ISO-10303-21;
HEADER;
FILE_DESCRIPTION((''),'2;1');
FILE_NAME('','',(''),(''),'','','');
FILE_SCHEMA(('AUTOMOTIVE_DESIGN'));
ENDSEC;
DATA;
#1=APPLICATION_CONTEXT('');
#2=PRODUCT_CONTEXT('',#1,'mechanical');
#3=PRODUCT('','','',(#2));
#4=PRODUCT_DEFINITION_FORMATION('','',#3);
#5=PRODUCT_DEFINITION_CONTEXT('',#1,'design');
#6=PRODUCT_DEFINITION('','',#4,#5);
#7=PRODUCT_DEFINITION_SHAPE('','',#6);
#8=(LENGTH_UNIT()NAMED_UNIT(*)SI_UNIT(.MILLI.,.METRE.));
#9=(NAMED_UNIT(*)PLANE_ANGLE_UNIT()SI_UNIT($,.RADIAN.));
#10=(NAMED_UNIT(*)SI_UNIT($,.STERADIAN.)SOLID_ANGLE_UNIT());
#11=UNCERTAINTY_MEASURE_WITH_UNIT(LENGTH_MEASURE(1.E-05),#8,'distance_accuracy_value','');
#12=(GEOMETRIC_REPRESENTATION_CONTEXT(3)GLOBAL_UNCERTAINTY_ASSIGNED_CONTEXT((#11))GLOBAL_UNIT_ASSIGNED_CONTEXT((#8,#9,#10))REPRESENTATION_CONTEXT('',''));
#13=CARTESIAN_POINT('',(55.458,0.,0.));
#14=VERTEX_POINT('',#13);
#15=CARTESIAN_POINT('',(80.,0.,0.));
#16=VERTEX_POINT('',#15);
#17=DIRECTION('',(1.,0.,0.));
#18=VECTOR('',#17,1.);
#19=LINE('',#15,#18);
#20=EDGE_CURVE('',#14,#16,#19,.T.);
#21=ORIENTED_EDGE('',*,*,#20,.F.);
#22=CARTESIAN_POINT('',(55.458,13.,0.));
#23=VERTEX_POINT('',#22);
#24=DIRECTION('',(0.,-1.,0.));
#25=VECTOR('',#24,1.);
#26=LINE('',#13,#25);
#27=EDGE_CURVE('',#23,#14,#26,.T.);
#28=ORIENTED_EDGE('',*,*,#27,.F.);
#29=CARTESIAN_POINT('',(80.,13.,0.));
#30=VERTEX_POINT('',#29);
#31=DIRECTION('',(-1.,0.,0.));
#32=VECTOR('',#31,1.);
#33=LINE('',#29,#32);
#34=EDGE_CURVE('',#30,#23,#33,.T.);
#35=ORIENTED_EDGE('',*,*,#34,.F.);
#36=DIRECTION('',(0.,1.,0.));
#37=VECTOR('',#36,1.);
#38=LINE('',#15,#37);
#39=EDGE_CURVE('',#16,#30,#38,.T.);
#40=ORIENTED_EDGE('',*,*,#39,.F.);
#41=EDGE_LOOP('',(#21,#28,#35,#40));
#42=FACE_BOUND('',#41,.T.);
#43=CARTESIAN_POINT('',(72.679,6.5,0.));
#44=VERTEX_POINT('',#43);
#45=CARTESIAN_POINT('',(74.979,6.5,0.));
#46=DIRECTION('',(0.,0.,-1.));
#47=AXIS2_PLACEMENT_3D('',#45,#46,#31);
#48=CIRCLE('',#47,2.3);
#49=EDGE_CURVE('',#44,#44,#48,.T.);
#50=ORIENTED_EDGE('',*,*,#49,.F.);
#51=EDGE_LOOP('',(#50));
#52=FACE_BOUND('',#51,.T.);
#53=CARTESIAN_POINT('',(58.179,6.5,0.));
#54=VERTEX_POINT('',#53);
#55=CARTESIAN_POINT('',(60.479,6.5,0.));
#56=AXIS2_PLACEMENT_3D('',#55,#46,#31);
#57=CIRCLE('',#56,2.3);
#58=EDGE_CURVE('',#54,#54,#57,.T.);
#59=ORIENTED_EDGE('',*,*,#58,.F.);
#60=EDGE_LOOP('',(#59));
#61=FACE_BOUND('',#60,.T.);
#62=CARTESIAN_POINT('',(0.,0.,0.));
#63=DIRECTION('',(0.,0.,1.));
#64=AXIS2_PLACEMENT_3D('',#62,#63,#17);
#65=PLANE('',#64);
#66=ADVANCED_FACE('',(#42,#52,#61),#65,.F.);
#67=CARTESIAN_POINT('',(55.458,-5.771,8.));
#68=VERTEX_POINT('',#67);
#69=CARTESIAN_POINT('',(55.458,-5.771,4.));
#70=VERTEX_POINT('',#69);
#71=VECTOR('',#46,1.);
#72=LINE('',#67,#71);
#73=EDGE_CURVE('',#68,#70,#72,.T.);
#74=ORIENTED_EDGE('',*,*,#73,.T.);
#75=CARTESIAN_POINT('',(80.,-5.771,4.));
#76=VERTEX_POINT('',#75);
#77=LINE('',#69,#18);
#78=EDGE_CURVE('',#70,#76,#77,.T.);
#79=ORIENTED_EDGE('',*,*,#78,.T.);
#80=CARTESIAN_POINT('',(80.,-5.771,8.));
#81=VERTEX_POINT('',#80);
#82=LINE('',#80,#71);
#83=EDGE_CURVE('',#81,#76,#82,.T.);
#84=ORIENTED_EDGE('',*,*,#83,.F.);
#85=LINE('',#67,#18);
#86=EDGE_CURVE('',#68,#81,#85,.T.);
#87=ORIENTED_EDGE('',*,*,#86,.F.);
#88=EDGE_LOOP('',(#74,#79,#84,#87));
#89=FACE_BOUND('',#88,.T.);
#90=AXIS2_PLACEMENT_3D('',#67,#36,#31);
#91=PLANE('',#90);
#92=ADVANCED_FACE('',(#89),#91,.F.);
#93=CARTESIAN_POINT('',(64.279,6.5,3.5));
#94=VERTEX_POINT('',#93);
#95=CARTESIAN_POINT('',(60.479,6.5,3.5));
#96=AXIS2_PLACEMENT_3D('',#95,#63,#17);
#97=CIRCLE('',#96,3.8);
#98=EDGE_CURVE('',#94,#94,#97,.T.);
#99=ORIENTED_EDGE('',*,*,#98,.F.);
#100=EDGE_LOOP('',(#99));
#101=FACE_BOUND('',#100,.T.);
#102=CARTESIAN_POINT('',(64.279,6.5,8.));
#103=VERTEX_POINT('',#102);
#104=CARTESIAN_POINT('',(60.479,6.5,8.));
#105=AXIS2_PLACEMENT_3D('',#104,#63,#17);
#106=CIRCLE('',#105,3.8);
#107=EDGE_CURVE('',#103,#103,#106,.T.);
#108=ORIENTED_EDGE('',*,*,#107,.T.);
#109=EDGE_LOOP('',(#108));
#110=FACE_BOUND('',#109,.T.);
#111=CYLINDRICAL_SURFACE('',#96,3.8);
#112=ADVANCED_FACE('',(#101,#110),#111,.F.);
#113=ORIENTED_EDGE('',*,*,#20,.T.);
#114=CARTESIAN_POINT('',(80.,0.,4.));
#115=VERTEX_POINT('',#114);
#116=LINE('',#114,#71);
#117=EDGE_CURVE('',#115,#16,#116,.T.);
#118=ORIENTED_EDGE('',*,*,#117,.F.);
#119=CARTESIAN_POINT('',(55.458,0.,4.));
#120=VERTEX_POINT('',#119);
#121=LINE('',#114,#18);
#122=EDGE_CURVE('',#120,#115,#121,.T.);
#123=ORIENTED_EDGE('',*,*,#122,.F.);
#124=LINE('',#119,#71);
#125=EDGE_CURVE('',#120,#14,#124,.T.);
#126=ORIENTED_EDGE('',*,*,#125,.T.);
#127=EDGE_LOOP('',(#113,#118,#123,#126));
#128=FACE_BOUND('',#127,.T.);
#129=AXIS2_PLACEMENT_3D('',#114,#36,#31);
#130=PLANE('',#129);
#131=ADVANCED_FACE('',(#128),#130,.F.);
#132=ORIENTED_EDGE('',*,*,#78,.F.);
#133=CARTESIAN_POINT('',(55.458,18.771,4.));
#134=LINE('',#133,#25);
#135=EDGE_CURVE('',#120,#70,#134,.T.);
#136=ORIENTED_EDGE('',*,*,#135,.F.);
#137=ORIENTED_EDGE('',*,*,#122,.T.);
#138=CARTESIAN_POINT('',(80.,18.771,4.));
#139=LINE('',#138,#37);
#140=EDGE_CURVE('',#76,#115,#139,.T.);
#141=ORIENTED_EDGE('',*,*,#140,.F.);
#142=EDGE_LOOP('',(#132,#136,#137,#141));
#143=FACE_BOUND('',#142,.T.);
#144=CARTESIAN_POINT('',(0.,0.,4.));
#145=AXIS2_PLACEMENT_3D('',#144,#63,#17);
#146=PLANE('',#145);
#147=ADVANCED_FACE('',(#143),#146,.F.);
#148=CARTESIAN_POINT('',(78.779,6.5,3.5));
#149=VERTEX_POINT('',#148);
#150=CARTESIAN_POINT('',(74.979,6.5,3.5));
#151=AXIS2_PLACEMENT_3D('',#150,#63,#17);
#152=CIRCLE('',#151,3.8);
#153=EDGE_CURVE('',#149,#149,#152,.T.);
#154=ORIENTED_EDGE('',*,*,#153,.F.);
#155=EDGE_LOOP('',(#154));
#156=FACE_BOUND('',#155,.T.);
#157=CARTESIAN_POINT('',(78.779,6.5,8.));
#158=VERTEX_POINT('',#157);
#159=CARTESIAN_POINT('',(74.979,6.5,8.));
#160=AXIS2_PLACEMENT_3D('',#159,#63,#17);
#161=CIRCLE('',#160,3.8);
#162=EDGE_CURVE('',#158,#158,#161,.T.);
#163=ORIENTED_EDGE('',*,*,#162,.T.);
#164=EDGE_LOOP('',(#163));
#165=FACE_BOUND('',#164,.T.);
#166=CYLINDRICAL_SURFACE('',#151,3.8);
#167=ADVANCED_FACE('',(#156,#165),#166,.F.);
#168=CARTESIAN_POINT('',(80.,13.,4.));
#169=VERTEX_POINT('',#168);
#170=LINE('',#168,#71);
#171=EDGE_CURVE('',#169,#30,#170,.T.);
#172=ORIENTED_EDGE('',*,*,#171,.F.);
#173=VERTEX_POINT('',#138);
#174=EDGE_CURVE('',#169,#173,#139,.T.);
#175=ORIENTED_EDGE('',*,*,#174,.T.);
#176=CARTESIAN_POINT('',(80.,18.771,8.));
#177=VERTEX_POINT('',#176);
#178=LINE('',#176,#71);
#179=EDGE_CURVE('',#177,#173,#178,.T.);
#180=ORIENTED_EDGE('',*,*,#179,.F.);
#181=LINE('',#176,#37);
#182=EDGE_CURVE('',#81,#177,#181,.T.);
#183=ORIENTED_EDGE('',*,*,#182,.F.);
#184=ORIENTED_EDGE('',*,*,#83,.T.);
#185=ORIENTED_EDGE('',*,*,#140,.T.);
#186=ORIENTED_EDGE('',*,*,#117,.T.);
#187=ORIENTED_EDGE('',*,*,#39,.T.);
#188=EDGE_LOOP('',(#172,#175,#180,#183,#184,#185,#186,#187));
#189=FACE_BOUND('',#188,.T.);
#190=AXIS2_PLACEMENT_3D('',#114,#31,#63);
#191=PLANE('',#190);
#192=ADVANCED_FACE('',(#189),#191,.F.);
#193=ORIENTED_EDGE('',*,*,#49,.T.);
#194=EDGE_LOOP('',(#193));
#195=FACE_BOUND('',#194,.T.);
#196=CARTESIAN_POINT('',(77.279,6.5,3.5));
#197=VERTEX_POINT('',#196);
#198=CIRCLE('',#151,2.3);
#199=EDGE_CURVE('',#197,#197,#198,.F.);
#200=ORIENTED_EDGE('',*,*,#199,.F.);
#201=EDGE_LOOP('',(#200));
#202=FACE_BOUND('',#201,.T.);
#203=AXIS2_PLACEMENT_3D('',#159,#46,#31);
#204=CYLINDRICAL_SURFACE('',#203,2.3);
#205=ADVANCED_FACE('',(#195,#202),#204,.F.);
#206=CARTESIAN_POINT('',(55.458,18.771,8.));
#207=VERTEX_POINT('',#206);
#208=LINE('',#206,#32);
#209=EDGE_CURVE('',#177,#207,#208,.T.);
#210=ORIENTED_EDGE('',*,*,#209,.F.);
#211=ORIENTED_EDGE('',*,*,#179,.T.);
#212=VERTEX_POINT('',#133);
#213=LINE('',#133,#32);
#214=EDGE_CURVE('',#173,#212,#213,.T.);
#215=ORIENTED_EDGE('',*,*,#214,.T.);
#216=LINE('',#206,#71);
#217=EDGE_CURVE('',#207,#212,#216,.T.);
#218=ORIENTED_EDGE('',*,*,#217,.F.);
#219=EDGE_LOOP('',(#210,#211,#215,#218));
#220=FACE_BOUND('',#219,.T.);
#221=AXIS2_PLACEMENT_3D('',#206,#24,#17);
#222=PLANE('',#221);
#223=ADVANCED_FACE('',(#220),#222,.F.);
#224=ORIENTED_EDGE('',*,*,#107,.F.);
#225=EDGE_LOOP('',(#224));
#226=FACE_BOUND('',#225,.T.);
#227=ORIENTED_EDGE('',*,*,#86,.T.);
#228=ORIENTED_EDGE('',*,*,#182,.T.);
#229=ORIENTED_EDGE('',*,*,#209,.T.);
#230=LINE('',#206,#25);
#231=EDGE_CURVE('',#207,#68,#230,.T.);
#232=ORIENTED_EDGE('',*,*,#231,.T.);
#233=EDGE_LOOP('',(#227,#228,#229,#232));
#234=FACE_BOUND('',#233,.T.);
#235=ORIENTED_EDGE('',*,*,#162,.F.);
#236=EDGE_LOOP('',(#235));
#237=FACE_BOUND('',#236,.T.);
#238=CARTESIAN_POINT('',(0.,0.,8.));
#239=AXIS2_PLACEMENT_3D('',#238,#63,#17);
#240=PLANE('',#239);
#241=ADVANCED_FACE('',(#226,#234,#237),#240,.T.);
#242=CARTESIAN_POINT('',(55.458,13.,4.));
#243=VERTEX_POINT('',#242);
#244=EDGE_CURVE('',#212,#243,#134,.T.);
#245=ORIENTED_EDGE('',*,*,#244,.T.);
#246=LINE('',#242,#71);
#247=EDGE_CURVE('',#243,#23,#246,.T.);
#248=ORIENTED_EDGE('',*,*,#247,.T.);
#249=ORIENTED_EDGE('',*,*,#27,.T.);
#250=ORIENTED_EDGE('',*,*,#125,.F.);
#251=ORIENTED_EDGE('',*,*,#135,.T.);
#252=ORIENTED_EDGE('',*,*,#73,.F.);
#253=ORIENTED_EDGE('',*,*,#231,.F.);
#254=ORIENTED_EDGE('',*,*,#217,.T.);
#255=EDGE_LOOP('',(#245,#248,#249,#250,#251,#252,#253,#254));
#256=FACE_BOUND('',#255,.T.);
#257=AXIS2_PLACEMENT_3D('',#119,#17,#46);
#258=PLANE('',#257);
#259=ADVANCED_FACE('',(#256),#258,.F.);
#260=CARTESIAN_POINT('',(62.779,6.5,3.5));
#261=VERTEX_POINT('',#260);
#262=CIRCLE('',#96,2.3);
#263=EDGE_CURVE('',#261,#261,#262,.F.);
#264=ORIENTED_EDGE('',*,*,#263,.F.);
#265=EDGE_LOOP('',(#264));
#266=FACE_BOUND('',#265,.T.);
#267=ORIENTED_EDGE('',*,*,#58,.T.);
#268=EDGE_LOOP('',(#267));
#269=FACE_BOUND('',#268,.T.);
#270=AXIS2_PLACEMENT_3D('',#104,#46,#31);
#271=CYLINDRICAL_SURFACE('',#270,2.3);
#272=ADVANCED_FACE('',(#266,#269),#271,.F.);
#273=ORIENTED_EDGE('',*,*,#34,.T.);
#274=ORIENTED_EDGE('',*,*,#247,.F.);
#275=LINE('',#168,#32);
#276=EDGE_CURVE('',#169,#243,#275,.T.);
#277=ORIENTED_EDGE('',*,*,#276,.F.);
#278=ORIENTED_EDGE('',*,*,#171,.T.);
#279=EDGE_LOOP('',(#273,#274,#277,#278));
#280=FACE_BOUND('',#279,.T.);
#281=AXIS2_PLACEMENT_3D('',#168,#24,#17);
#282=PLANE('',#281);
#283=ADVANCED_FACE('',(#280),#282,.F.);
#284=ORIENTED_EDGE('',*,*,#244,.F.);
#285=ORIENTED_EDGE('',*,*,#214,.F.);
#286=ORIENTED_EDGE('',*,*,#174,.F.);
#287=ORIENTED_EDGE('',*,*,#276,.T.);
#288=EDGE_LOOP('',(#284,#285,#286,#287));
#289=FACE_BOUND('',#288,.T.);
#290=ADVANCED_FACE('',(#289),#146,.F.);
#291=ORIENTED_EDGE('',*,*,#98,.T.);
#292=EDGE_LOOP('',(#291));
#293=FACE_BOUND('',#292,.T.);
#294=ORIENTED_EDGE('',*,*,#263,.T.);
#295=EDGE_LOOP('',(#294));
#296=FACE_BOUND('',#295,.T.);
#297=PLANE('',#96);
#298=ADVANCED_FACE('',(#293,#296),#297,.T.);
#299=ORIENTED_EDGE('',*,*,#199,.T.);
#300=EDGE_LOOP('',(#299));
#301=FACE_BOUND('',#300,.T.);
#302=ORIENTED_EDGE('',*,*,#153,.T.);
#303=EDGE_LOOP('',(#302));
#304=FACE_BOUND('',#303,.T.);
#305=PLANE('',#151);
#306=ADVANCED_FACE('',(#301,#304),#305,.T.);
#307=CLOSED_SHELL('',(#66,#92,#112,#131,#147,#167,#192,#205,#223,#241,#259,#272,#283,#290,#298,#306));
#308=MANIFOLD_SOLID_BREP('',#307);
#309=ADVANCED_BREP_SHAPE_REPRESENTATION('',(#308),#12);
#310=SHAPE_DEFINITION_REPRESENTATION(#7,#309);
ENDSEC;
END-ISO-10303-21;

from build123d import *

# Parameters (mm, degrees)
SKETCH1_W           = 24.542
SKETCH1_H           = 13
BOSS_EXTRUDE1_DEPTH = 4
SKETCH2_W           = 24.542
SKETCH2_H           = 24.542
BOSS_EXTRUDE2_DEPTH = 4
SKETCH3_R           = 2.3
CUT_EXTRUDE1_DEPTH  = 9
SKETCH4_R           = 3.8
CUT_EXTRUDE2_DEPTH  = 4.5


with BuildPart() as part:
    # Sketch1 → Boss-Extrude1 (new body)
    with BuildSketch(Plane.XY):
        with Locations((67.729, 6.5)):
            Rectangle(SKETCH1_W, SKETCH1_H)
    extrude(amount=BOSS_EXTRUDE1_DEPTH)

    # Sketch2 → Boss-Extrude2 (add)
    with BuildSketch(Plane.XY.offset(4)):
        with Locations((67.729, 6.5)):
            Rectangle(SKETCH2_W, SKETCH2_H)
    extrude(amount=BOSS_EXTRUDE2_DEPTH)

    # Sketch3 → Cut-Extrude1 (cut, through all)
    with BuildSketch(Plane(origin=(0, 0, 0), x_dir=(-1, 0, 0), z_dir=(0, 0, -1))):
        with Locations((-60.479, 6.5)):
            Circle(SKETCH3_R)
        with Locations((-74.979, 6.5)):
            Circle(SKETCH3_R)
    extrude(amount=-CUT_EXTRUDE1_DEPTH, mode=Mode.SUBTRACT)

    # Sketch4 → Cut-Extrude2 (cut)
    with BuildSketch(Plane.XY.offset(8)):
        with Locations((60.479, 6.5)):
            Circle(SKETCH4_R)
        with Locations((74.979, 6.5)):
            Circle(SKETCH4_R)
    extrude(amount=-CUT_EXTRUDE2_DEPTH, mode=Mode.SUBTRACT)


solid = part.part
